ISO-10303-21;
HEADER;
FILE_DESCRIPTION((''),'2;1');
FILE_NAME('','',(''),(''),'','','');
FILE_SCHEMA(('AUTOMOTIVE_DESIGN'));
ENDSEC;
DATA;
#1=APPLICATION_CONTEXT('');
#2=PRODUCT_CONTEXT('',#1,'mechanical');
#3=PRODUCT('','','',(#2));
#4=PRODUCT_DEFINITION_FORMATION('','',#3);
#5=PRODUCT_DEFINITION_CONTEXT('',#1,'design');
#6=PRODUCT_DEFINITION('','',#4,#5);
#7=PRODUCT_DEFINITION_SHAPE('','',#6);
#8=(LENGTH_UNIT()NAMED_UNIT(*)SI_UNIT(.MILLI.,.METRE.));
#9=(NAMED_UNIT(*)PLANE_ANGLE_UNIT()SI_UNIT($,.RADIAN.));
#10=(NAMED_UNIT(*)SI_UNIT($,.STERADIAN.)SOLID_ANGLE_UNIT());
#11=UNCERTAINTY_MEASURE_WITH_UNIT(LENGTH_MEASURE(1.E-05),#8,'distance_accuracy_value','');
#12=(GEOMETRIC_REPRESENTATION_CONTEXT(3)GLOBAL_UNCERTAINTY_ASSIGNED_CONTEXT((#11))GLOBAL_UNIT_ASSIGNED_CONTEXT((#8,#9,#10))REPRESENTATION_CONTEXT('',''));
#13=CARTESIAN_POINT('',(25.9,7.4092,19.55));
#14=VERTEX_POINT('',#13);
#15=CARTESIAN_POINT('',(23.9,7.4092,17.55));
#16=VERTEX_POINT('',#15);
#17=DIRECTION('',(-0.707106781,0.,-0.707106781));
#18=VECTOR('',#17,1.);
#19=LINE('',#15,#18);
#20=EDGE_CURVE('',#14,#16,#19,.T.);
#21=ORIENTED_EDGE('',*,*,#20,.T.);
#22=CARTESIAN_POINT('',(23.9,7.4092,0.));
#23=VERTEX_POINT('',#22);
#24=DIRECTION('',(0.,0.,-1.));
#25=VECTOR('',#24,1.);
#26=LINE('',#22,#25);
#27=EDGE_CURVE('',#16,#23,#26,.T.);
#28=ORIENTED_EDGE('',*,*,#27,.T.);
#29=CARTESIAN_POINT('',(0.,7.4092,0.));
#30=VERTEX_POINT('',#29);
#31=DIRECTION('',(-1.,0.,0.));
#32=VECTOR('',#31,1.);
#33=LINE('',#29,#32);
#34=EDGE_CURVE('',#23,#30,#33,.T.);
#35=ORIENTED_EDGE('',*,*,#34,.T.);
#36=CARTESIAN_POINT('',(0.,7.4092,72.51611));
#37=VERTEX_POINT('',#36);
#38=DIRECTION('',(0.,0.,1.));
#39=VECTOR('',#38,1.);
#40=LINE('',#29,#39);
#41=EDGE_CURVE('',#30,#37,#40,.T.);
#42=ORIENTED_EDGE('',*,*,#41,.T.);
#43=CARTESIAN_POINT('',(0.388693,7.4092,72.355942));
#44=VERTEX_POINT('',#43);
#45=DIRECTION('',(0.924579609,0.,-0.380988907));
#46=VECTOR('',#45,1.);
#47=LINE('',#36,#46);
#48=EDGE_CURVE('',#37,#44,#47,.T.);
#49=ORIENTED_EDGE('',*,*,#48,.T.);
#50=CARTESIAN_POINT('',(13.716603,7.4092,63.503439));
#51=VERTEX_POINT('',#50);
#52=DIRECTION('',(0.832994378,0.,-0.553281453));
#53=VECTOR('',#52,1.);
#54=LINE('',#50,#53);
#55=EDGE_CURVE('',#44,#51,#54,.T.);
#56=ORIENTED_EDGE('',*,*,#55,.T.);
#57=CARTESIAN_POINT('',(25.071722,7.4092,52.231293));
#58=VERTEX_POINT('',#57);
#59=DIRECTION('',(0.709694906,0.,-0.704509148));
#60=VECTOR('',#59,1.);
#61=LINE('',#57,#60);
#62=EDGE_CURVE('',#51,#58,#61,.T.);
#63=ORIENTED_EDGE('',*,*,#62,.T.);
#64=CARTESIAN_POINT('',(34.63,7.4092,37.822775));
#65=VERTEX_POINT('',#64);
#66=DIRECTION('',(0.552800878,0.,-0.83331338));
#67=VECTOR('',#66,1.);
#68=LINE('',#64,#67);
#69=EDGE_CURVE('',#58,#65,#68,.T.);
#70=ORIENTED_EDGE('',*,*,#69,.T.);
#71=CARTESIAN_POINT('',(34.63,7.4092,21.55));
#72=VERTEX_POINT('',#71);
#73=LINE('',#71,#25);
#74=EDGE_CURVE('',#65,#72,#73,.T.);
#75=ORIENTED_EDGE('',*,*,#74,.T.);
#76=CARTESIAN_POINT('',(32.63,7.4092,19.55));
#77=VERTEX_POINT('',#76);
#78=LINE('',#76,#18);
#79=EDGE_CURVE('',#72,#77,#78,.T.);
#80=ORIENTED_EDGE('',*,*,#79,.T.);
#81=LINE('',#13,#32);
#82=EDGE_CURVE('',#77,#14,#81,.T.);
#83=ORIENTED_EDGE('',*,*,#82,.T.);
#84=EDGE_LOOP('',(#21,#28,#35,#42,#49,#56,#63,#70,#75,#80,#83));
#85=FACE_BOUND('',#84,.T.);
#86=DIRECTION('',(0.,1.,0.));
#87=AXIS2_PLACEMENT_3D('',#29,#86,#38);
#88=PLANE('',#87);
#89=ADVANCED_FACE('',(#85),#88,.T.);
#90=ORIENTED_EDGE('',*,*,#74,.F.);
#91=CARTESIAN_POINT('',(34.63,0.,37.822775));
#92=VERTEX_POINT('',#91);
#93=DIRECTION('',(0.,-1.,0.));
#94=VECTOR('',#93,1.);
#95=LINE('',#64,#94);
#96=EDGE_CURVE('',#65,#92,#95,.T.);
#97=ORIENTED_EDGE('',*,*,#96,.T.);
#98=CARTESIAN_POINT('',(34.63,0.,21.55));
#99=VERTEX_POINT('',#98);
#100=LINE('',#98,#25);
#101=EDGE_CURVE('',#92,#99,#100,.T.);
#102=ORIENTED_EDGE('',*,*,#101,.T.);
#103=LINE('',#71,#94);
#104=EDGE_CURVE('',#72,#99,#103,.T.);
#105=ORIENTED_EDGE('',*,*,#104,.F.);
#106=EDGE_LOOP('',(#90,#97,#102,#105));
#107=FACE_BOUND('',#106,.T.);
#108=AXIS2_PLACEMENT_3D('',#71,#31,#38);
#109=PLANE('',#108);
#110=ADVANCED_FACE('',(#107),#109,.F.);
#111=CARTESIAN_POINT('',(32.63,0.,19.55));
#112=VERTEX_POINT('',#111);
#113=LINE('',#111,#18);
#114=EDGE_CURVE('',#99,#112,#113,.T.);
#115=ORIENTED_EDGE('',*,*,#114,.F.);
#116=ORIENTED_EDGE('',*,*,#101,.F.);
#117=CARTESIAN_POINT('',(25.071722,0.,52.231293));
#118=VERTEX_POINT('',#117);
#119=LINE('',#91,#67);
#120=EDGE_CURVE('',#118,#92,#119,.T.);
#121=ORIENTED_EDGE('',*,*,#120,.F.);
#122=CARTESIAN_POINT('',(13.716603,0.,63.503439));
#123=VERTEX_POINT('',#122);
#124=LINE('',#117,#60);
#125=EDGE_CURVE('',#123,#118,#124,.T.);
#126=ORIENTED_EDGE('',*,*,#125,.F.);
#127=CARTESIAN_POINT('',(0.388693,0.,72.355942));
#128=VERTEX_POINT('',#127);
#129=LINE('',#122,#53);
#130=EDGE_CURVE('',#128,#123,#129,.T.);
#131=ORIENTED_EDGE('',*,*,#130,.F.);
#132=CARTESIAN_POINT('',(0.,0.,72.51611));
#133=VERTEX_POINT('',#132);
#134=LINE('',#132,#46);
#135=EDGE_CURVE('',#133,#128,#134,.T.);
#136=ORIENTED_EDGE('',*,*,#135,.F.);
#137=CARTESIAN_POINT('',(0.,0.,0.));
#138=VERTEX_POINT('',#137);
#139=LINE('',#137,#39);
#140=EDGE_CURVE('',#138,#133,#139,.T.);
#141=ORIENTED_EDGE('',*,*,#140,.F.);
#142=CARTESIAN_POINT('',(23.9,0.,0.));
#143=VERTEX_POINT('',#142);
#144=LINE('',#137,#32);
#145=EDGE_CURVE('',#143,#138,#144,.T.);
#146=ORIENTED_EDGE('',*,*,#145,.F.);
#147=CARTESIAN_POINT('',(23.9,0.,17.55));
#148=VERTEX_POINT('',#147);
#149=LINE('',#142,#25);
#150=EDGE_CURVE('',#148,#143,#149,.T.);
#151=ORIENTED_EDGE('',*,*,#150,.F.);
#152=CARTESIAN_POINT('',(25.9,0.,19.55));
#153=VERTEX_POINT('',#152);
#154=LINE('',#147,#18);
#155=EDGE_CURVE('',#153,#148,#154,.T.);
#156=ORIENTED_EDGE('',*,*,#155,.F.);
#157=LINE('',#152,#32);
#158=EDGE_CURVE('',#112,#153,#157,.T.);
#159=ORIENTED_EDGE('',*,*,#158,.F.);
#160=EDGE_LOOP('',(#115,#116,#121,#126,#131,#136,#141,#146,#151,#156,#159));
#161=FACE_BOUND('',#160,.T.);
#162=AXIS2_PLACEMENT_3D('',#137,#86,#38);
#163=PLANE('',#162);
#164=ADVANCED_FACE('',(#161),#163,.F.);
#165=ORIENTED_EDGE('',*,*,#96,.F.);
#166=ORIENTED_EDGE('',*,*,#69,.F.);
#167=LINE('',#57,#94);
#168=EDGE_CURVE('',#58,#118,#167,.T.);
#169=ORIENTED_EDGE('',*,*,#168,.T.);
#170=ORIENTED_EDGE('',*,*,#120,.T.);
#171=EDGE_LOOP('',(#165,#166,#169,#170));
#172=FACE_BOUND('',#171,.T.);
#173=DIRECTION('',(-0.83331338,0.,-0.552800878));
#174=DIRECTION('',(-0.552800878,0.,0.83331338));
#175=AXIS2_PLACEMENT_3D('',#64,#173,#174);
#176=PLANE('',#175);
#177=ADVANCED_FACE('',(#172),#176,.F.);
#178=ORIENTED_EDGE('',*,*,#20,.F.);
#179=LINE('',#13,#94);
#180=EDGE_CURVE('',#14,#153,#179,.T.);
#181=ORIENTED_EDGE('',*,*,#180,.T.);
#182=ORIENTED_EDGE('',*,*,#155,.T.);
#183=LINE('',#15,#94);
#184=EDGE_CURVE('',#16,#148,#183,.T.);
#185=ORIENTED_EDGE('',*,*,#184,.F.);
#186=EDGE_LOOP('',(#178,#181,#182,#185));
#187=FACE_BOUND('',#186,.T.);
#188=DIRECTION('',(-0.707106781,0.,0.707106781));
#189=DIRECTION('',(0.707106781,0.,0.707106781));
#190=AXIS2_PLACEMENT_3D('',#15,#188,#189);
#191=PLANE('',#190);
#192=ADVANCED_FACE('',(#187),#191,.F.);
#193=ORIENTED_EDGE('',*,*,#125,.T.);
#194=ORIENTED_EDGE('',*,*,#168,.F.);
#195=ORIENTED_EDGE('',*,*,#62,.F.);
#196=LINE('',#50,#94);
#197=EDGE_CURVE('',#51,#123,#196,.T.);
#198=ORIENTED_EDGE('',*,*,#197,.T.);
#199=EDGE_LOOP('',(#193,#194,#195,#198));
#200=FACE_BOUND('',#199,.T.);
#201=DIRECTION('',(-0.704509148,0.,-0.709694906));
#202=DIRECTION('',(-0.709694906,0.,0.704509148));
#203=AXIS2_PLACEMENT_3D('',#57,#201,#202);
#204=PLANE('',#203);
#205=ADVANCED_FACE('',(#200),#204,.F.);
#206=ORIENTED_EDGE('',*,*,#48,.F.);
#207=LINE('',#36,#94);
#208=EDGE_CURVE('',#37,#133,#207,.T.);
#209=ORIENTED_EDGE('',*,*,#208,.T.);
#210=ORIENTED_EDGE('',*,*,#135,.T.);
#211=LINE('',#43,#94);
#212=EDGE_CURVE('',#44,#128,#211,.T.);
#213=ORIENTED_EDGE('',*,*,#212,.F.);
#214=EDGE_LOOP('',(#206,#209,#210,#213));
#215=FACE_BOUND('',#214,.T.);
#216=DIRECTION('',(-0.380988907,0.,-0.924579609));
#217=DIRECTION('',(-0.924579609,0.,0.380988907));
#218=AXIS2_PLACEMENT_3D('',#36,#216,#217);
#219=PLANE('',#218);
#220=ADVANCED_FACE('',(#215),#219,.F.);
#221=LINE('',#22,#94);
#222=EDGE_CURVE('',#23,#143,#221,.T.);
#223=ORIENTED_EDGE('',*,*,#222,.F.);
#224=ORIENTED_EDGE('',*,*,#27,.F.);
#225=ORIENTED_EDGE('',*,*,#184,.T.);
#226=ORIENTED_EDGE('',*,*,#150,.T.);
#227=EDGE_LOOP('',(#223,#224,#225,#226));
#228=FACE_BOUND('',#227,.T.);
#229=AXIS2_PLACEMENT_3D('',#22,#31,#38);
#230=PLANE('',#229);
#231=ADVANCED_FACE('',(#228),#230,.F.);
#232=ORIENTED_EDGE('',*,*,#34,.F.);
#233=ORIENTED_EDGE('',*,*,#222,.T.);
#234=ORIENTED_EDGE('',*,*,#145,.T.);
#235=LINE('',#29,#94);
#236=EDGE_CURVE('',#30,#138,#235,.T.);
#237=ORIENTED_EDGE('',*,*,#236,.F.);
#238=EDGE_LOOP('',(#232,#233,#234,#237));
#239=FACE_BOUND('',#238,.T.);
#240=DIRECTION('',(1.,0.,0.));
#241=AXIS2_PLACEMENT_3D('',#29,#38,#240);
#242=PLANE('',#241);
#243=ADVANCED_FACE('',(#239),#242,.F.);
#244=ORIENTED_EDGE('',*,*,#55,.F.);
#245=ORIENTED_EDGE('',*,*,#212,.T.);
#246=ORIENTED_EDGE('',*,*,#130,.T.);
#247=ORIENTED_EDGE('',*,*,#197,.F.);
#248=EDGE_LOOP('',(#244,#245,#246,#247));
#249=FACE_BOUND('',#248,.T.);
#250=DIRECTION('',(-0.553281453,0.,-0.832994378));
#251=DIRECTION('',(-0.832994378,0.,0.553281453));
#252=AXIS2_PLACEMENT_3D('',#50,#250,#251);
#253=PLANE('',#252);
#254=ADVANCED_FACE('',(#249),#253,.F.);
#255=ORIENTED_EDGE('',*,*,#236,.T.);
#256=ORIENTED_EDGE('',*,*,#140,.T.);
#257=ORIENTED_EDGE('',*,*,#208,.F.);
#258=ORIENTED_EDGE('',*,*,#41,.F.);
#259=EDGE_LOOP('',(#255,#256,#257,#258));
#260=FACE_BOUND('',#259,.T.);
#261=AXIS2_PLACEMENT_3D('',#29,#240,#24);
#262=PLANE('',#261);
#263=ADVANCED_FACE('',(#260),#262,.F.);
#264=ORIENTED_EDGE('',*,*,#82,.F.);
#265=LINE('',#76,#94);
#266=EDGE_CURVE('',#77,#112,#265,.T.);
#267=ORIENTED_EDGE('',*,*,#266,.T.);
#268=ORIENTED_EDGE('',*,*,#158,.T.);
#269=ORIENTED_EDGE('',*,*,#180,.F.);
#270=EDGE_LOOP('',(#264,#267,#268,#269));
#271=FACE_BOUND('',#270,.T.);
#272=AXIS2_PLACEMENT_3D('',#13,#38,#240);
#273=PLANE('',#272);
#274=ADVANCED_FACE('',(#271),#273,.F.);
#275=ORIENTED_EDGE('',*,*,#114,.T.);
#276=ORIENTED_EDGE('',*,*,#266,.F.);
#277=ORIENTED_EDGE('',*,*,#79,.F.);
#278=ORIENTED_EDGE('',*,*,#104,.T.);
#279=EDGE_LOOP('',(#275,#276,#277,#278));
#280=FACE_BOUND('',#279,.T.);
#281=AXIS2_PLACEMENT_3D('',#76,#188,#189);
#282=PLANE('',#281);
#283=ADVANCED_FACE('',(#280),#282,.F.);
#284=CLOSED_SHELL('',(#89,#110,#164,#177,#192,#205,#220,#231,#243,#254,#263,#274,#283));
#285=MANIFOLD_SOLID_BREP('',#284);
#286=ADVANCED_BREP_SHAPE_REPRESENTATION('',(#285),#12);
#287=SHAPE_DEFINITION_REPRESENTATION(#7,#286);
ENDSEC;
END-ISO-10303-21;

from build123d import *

# Parameters (mm, degrees)
BOSS_EXTRUDE1_DEPTH = 7.409200066


with BuildPart() as part:
    # Sketch1 → Boss-Extrude1 (new body)
    with BuildSketch(Plane(origin=(0, 0, 0), x_dir=(1, 0, 0), z_dir=(0, 1, 0))):
        Polygon((0, 0), (23.9, 0), (23.9, -17.55), (25.9, -19.55), (32.63, -19.55), (34.63, -21.55), (34.63, -37.822775182), (25.071721684, -52.231292825), (13.716603187, -63.5034392), (0.388693134, -72.355942441), (0, -72.516110123), align=None)
    extrude(amount=BOSS_EXTRUDE1_DEPTH)


solid = part.part
